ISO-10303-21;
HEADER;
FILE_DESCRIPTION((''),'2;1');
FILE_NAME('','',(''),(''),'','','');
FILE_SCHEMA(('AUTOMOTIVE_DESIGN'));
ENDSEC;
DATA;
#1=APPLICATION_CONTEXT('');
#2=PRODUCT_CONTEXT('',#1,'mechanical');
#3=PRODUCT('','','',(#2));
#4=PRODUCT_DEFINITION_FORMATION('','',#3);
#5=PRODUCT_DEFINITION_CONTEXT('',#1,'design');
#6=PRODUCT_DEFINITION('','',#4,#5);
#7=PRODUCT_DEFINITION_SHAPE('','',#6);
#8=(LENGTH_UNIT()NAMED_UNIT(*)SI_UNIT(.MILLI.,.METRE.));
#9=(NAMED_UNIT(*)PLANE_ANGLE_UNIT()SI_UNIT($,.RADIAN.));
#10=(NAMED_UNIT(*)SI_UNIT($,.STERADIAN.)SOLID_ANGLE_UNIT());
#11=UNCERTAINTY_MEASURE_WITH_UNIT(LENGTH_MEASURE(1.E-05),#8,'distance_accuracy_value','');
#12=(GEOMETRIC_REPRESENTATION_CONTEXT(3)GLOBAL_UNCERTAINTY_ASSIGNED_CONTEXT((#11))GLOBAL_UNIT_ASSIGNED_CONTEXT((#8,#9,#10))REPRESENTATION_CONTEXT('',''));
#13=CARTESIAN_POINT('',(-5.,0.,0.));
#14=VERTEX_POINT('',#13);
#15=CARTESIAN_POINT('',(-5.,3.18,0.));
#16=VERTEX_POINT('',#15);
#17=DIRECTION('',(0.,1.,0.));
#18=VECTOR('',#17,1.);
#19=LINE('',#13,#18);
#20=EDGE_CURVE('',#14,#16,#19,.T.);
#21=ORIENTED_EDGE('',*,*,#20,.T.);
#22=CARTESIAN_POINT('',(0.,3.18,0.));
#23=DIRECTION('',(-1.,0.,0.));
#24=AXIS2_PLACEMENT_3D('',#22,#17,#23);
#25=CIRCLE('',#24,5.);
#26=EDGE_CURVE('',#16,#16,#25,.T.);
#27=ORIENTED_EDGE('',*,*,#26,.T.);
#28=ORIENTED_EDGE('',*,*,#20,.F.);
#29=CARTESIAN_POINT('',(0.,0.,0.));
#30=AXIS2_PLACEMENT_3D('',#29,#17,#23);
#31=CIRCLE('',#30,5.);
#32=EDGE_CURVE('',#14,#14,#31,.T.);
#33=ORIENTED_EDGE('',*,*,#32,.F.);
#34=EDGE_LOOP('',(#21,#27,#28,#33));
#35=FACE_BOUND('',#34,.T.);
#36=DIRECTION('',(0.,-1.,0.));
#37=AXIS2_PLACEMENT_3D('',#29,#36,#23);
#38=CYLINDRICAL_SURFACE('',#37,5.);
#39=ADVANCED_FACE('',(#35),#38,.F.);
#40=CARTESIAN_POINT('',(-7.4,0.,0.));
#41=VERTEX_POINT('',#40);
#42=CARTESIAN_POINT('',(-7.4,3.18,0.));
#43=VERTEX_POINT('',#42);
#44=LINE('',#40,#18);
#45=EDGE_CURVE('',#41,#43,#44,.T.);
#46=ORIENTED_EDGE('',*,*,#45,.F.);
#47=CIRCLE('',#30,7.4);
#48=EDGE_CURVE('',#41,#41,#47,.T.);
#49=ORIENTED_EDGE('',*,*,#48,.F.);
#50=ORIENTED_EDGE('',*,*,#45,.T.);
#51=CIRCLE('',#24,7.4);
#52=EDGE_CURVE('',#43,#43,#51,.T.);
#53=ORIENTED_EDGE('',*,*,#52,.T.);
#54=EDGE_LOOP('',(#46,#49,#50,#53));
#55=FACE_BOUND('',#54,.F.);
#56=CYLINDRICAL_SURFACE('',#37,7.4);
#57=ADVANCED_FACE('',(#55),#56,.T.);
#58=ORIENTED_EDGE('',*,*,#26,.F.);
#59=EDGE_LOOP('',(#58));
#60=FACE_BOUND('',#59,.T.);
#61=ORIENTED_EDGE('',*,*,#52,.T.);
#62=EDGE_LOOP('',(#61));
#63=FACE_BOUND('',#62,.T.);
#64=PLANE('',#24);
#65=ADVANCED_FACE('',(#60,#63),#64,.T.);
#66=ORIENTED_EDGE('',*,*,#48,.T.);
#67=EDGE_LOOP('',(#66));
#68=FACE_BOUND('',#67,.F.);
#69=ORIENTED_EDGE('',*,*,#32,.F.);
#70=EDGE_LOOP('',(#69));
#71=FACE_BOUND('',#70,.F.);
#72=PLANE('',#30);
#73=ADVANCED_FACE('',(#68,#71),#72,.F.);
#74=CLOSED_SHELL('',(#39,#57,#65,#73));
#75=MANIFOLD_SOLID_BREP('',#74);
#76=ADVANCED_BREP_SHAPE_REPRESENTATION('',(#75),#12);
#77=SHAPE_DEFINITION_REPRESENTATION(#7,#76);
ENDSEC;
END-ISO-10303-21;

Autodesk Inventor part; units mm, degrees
ref_plane "YZ Plane" through (0, 0, 0) normal (1, 0, 0) x (0, 1, 0)
ref_plane "XZ Plane" through (0, 0, 0) normal (0, 1, 0) x (-1, 0, 0)
ref_plane "XY Plane" through (0, 0, 0) normal (0, 0, 1) x (1, 0, 0)
sketch "Boceto1" plane through (0, 0, 0) normal (0, 1, 0) x (-1, 0, 0)
  circle A0 centre (0, 0) radius 5
  circle A1 centre (0, 0) radius 7.4
  dimension "d0" = 10
  dimension "d1" = 14.8
extrude "Extrusión1" add sketch "Boceto1" along normal blind 3.18
properties part number "BASE_SOST.GIRATORIA"
